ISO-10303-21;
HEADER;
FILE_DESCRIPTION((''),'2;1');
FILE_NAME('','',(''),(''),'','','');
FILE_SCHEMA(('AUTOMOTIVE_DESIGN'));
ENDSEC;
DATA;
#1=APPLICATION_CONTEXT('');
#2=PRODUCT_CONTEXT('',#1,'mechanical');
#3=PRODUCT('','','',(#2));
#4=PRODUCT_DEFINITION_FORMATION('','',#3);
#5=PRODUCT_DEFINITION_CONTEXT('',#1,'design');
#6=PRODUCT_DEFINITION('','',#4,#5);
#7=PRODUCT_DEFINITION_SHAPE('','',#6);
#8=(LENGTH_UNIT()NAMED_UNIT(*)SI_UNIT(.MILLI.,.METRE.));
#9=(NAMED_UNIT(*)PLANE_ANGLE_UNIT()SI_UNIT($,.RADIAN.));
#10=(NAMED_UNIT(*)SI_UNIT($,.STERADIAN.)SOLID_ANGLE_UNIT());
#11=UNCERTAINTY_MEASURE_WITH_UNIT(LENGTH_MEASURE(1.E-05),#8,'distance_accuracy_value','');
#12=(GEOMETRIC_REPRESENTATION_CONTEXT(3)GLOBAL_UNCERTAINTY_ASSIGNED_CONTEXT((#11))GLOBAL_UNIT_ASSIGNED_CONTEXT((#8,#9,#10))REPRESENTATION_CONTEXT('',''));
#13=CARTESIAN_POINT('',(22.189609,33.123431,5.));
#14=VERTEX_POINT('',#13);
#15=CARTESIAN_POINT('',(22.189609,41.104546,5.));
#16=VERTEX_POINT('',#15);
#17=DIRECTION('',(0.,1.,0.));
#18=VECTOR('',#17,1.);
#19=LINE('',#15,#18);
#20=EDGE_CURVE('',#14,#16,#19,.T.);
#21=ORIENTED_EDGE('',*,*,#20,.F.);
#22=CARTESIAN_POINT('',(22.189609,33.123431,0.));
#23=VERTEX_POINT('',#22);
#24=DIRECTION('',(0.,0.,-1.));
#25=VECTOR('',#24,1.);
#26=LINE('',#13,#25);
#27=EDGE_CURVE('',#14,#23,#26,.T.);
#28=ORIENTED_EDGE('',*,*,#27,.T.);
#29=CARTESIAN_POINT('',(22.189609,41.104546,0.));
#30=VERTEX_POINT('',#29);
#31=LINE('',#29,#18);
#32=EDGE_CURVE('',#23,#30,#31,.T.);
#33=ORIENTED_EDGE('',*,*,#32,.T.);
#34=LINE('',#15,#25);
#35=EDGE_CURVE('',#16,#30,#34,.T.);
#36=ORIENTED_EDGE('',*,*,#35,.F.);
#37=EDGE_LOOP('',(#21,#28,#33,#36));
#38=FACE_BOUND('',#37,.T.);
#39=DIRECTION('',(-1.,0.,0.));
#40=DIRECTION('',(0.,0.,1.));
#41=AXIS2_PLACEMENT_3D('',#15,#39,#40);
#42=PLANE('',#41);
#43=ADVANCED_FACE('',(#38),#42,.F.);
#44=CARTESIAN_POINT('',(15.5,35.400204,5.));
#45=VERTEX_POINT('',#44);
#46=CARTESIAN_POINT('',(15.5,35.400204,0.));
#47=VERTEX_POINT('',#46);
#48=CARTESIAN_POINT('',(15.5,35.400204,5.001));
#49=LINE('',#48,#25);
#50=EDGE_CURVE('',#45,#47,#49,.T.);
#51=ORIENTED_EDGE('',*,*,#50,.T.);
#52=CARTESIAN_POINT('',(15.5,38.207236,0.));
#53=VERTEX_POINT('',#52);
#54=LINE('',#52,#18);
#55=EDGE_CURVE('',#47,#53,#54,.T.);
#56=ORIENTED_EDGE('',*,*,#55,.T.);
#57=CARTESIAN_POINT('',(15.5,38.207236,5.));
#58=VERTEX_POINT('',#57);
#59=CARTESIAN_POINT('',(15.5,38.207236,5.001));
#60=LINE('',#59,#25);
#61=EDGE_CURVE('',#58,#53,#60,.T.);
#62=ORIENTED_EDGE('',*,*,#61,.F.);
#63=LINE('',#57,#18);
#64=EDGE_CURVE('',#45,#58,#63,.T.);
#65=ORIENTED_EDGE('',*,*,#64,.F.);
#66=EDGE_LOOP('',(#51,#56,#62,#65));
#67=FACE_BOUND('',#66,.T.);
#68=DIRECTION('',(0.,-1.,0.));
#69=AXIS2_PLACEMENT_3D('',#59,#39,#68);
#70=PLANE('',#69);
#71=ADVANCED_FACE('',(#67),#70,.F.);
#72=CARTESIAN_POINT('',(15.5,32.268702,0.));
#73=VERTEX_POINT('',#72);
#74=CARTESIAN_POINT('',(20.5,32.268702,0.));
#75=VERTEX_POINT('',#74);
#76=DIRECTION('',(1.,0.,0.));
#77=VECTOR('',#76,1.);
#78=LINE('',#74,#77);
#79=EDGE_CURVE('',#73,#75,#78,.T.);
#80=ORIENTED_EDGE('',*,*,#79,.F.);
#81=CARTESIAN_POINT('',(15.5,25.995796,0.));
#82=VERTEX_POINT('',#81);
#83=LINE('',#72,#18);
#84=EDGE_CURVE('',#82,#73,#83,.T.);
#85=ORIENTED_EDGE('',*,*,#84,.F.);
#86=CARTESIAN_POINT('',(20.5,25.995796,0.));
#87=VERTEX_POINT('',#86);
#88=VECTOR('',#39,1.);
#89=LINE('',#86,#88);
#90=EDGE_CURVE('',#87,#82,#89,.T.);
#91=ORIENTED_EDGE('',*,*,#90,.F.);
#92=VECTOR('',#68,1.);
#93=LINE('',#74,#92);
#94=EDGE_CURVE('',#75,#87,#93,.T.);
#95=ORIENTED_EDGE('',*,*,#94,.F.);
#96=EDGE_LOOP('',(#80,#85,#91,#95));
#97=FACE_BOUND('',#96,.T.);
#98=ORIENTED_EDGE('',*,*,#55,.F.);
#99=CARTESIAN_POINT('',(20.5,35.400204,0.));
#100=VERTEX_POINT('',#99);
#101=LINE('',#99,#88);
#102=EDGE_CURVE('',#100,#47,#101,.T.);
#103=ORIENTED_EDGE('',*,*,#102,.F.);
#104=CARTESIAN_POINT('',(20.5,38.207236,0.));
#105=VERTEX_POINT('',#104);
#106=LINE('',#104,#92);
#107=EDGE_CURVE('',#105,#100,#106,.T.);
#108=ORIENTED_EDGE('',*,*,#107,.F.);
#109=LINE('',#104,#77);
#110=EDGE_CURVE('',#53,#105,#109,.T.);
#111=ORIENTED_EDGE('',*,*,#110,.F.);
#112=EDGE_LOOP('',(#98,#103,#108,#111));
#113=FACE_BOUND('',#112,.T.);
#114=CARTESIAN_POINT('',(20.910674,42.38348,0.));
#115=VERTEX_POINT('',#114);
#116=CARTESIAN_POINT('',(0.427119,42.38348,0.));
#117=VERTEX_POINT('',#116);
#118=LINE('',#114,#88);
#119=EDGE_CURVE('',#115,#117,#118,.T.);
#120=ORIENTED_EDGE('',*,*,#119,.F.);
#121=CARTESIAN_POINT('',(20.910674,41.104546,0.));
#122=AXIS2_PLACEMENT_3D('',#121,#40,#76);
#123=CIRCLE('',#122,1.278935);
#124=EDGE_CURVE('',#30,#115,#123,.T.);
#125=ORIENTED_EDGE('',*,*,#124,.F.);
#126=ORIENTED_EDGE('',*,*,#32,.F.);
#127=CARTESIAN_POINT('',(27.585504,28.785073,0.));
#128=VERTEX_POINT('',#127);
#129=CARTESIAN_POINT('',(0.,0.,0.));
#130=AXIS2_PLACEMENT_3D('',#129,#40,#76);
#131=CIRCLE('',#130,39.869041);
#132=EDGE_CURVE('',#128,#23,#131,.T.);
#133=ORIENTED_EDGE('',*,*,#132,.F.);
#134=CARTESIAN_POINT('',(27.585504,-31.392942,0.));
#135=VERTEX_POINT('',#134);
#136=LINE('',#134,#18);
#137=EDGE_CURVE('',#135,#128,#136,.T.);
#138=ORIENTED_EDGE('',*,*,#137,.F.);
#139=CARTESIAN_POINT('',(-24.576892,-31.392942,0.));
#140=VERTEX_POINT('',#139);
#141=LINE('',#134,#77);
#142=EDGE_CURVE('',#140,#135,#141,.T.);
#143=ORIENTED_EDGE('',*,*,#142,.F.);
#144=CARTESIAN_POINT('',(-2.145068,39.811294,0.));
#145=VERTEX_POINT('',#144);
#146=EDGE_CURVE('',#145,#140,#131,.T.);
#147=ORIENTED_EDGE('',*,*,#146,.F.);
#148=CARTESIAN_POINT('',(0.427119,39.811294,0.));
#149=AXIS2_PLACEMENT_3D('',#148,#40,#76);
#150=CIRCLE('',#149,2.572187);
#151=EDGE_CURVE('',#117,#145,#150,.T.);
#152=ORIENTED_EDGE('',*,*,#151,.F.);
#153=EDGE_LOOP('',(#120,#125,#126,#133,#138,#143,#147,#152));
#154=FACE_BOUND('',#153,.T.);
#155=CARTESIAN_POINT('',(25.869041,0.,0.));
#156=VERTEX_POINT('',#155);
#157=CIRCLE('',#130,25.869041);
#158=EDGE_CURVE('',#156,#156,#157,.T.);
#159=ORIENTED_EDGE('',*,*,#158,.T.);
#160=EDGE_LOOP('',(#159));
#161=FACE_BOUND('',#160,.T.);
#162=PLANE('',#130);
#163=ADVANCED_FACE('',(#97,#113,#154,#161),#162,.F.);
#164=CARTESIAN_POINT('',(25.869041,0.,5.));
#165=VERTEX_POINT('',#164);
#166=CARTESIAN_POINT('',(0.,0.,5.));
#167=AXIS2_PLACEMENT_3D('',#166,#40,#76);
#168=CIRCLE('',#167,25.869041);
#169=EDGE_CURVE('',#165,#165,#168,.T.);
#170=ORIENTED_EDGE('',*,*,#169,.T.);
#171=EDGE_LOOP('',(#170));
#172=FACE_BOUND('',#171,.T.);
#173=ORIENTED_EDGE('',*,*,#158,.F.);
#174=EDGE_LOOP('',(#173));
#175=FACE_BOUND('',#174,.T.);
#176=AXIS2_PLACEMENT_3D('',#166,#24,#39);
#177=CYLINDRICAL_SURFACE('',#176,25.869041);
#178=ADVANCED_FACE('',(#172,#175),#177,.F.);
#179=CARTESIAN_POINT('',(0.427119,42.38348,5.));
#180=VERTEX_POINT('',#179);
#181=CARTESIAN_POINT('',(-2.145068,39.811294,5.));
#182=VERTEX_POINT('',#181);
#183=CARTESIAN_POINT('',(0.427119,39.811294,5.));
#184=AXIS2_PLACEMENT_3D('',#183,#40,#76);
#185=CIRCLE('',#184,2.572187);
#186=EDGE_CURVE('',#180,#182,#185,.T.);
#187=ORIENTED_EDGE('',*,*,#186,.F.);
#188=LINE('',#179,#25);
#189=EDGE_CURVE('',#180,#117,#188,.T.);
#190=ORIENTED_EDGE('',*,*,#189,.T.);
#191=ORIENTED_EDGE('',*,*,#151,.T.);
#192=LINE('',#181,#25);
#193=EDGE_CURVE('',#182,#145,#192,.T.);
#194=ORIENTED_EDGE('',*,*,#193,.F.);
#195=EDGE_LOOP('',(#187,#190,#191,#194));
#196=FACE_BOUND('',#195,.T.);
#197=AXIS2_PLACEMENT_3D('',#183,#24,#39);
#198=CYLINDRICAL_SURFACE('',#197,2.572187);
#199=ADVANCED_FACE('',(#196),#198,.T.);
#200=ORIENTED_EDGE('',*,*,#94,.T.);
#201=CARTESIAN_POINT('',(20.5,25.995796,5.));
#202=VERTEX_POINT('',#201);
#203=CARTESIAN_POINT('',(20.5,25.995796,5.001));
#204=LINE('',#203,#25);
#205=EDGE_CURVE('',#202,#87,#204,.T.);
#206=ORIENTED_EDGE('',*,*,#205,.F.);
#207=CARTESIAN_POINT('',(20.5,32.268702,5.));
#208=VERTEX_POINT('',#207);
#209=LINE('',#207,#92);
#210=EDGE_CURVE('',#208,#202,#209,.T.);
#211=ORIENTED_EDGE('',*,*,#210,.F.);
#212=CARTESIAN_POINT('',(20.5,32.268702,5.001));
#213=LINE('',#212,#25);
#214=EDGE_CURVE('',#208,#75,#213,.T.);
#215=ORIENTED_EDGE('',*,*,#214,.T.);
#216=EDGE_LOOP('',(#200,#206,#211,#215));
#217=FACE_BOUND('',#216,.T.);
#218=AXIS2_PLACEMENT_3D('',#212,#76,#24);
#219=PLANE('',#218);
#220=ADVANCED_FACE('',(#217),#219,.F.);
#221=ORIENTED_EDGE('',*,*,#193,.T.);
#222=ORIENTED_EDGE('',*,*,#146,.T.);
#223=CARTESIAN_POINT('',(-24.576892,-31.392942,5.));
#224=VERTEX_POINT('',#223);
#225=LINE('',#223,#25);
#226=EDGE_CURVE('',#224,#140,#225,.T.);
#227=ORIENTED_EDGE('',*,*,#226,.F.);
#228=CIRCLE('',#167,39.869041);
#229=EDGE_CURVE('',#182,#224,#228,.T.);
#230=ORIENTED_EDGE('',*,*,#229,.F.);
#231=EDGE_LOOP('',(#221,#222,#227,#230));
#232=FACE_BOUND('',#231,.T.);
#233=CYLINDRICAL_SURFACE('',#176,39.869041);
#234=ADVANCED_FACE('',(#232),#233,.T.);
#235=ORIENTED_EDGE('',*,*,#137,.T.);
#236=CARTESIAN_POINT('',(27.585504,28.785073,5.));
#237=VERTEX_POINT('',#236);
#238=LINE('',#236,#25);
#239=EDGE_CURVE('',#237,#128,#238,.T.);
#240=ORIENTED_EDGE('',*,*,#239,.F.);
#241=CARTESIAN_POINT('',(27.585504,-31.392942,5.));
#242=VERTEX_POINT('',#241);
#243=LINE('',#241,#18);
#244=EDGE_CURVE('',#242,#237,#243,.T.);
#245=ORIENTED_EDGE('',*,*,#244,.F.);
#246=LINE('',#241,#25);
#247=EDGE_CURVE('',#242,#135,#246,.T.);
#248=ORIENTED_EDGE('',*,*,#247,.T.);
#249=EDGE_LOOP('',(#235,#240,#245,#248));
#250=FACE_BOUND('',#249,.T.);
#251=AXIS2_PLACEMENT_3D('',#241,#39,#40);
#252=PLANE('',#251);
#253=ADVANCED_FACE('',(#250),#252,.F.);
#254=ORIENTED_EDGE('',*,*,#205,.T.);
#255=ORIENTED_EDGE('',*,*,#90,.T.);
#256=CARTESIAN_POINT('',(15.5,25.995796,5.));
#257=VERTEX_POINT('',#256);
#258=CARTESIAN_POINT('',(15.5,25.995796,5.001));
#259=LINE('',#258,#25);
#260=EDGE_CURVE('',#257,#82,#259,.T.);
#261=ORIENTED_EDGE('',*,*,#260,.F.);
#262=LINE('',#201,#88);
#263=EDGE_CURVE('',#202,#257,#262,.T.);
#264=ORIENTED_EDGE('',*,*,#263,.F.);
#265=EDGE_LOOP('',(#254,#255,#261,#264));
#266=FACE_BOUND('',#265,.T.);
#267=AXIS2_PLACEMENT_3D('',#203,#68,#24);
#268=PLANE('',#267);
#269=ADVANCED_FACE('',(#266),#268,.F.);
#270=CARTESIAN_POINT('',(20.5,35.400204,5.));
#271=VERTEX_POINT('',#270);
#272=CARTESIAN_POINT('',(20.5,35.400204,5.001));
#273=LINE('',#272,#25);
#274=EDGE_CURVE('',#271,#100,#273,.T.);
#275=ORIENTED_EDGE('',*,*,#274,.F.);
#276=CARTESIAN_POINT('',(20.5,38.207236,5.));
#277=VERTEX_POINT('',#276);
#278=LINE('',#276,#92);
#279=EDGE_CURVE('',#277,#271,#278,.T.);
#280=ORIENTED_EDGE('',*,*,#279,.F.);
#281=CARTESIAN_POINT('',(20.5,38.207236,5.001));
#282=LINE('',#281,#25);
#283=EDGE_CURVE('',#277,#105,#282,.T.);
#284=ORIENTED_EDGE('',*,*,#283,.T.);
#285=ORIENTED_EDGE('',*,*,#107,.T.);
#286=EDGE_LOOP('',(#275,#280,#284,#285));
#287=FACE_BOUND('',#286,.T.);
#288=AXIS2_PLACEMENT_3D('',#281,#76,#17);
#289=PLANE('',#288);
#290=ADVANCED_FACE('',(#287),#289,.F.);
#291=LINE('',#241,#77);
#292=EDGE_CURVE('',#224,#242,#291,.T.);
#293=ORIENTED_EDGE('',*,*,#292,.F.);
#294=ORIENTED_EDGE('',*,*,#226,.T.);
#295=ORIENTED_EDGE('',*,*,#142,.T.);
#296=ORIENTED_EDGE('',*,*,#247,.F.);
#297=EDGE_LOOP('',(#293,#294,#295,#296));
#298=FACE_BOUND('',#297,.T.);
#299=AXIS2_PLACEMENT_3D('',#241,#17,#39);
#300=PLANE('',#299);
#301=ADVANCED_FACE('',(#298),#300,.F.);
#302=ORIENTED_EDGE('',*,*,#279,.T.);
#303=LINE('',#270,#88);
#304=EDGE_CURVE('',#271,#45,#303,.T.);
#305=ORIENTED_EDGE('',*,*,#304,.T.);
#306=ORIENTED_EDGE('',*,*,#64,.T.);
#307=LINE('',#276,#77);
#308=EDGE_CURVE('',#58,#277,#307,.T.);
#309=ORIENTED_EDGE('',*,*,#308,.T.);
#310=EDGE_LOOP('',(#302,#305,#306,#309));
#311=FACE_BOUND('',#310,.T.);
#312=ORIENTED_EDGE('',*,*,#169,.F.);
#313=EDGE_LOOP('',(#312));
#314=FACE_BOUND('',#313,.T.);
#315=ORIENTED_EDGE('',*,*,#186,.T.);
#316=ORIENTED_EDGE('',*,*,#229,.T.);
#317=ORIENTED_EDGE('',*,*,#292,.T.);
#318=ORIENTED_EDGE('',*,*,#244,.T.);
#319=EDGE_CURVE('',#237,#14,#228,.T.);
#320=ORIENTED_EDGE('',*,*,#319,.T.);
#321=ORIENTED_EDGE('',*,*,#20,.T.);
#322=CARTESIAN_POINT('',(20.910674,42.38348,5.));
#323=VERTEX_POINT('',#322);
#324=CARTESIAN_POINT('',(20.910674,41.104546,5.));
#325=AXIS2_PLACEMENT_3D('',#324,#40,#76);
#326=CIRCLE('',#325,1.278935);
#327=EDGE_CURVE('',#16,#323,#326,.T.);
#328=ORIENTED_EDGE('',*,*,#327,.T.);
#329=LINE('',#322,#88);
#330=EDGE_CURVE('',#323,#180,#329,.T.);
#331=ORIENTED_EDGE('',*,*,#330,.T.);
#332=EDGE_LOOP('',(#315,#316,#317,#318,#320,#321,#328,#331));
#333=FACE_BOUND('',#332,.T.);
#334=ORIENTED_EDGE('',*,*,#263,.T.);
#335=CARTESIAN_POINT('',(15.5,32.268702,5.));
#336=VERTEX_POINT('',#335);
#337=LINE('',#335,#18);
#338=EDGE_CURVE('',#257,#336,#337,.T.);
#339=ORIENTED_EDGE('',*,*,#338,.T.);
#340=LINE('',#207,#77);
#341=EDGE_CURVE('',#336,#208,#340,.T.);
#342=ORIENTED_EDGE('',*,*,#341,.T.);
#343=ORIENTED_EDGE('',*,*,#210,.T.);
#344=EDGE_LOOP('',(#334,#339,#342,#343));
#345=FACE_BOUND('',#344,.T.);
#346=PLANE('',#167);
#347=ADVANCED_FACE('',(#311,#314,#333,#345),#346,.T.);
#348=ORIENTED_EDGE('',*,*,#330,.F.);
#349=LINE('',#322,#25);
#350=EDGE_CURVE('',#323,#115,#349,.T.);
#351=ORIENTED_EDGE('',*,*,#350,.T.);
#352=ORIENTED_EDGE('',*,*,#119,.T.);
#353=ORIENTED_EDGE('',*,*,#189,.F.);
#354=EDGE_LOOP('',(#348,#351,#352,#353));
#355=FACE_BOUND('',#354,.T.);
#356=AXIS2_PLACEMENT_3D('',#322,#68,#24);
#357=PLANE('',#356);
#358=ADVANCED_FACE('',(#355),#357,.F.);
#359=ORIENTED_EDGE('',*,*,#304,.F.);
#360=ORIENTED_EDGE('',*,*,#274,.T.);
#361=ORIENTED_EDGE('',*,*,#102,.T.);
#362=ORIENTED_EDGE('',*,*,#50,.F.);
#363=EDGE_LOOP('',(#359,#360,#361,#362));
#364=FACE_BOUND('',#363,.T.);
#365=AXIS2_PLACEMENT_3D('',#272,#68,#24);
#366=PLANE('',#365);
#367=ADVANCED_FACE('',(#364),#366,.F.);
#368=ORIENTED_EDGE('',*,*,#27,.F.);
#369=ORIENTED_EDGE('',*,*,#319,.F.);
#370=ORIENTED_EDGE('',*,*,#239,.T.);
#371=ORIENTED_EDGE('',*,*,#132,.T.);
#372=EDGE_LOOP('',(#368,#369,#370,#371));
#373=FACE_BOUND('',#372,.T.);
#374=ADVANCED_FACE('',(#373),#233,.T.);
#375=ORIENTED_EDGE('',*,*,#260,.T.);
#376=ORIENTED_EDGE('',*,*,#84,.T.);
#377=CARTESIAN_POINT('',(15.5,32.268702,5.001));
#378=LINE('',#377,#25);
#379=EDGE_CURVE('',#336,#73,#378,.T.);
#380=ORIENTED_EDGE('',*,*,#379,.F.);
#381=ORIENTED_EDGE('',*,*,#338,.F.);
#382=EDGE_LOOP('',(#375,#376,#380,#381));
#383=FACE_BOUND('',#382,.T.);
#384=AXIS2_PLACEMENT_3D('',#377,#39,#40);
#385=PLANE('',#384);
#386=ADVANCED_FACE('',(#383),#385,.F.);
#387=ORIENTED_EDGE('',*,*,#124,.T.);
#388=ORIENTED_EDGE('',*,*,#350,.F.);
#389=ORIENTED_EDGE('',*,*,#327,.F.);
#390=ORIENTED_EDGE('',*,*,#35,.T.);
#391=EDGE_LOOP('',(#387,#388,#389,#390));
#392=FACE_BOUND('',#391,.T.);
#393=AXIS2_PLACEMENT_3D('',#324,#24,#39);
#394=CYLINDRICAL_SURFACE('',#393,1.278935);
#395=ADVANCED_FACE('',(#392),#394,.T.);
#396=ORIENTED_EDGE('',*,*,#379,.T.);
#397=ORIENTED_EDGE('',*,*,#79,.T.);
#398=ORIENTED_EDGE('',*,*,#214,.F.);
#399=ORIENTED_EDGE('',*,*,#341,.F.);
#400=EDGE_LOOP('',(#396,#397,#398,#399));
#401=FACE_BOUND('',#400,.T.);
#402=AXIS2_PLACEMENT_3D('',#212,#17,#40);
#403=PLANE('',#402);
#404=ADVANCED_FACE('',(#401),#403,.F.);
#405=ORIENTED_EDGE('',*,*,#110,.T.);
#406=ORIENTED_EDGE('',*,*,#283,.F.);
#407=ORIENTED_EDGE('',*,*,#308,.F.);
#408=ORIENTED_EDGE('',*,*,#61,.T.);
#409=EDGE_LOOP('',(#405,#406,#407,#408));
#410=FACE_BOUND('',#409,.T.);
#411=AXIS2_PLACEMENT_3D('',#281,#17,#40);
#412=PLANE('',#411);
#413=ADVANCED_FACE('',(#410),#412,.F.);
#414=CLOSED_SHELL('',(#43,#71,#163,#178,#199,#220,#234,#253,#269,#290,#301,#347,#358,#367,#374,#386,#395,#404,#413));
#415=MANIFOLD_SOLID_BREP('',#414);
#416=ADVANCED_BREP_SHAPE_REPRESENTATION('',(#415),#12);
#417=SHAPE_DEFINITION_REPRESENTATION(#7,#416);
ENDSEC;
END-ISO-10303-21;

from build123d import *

# Parameters (mm, degrees)
SKETCH1_R           = 25.869040911
BOSS_EXTRUDE1_DEPTH = 5
CUT_EXTRUDE1_REACH  = 7
SKETCH2_W           = 5
SKETCH2_H           = 2.807032228
SKETCH2_H_2         = 6.272905991


with BuildPart() as part:
    # Sketch1 → Boss-Extrude1 (new body)
    with BuildSketch(Plane.XY):
        with BuildLine():
            Line((27.585503877, -31.392941885), (-24.576892053, -31.392941885))
            ThreePointArc((-24.576892053, -31.392941885), (-38.026656197, 11.979726275), (-2.145068244, 39.811293691))
            ThreePointArc((-2.145068244, 39.811293691), (-1.391692185, 41.630104391), (0.427118514, 42.38348045))
            Line((0.427118514, 42.38348045), (20.910674351, 42.38348045))
            ThreePointArc((20.910674351, 42.38348045), (21.815017729, 42.008889157), (22.189609022, 41.104545778))
            Line((22.189609022, 41.104545778), (22.189609022, 33.1234309))
            ThreePointArc((22.189609022, 33.1234309), (24.981909543, 31.071604702), (27.585503877, 28.785072503))
            Line((27.585503877, 28.785072503), (27.585503877, -31.392941885))
        make_face()
        Circle(SKETCH1_R, mode=Mode.SUBTRACT)
    extrude(amount=BOSS_EXTRUDE1_DEPTH)

    # Sketch2 → Cut-Extrude1 (cut, up to next)
    with BuildSketch(Plane(origin=(0, 0, 0), x_dir=(-1, 0, 0), z_dir=(0, 0, -1)), mode=Mode.PRIVATE) as cut_extrude1_sk1:
        with Locations((-18, 36.803720292)):
            Rectangle(SKETCH2_W, SKETCH2_H)
    cut_extrude1_tool1 = extrude(cut_extrude1_sk1.sketch, amount=-CUT_EXTRUDE1_REACH, mode=Mode.PRIVATE) & part.part
    add(cut_extrude1_tool1.solids().sort_by_distance((18, 36.80372, 0))[0], mode=Mode.SUBTRACT)
    # Sketch2 → Cut-Extrude1 (cut, up to next)
    with BuildSketch(Plane(origin=(0, 0, 0), x_dir=(-1, 0, 0), z_dir=(0, 0, -1)), mode=Mode.PRIVATE) as cut_extrude1_sk2:
        with Locations((-18, 29.132248973)):
            Rectangle(SKETCH2_W, SKETCH2_H_2)
    cut_extrude1_tool2 = extrude(cut_extrude1_sk2.sketch, amount=-CUT_EXTRUDE1_REACH, mode=Mode.PRIVATE) & part.part
    add(cut_extrude1_tool2.solids().sort_by_distance((18, 29.132249, 0))[0], mode=Mode.SUBTRACT)


solid = part.part
